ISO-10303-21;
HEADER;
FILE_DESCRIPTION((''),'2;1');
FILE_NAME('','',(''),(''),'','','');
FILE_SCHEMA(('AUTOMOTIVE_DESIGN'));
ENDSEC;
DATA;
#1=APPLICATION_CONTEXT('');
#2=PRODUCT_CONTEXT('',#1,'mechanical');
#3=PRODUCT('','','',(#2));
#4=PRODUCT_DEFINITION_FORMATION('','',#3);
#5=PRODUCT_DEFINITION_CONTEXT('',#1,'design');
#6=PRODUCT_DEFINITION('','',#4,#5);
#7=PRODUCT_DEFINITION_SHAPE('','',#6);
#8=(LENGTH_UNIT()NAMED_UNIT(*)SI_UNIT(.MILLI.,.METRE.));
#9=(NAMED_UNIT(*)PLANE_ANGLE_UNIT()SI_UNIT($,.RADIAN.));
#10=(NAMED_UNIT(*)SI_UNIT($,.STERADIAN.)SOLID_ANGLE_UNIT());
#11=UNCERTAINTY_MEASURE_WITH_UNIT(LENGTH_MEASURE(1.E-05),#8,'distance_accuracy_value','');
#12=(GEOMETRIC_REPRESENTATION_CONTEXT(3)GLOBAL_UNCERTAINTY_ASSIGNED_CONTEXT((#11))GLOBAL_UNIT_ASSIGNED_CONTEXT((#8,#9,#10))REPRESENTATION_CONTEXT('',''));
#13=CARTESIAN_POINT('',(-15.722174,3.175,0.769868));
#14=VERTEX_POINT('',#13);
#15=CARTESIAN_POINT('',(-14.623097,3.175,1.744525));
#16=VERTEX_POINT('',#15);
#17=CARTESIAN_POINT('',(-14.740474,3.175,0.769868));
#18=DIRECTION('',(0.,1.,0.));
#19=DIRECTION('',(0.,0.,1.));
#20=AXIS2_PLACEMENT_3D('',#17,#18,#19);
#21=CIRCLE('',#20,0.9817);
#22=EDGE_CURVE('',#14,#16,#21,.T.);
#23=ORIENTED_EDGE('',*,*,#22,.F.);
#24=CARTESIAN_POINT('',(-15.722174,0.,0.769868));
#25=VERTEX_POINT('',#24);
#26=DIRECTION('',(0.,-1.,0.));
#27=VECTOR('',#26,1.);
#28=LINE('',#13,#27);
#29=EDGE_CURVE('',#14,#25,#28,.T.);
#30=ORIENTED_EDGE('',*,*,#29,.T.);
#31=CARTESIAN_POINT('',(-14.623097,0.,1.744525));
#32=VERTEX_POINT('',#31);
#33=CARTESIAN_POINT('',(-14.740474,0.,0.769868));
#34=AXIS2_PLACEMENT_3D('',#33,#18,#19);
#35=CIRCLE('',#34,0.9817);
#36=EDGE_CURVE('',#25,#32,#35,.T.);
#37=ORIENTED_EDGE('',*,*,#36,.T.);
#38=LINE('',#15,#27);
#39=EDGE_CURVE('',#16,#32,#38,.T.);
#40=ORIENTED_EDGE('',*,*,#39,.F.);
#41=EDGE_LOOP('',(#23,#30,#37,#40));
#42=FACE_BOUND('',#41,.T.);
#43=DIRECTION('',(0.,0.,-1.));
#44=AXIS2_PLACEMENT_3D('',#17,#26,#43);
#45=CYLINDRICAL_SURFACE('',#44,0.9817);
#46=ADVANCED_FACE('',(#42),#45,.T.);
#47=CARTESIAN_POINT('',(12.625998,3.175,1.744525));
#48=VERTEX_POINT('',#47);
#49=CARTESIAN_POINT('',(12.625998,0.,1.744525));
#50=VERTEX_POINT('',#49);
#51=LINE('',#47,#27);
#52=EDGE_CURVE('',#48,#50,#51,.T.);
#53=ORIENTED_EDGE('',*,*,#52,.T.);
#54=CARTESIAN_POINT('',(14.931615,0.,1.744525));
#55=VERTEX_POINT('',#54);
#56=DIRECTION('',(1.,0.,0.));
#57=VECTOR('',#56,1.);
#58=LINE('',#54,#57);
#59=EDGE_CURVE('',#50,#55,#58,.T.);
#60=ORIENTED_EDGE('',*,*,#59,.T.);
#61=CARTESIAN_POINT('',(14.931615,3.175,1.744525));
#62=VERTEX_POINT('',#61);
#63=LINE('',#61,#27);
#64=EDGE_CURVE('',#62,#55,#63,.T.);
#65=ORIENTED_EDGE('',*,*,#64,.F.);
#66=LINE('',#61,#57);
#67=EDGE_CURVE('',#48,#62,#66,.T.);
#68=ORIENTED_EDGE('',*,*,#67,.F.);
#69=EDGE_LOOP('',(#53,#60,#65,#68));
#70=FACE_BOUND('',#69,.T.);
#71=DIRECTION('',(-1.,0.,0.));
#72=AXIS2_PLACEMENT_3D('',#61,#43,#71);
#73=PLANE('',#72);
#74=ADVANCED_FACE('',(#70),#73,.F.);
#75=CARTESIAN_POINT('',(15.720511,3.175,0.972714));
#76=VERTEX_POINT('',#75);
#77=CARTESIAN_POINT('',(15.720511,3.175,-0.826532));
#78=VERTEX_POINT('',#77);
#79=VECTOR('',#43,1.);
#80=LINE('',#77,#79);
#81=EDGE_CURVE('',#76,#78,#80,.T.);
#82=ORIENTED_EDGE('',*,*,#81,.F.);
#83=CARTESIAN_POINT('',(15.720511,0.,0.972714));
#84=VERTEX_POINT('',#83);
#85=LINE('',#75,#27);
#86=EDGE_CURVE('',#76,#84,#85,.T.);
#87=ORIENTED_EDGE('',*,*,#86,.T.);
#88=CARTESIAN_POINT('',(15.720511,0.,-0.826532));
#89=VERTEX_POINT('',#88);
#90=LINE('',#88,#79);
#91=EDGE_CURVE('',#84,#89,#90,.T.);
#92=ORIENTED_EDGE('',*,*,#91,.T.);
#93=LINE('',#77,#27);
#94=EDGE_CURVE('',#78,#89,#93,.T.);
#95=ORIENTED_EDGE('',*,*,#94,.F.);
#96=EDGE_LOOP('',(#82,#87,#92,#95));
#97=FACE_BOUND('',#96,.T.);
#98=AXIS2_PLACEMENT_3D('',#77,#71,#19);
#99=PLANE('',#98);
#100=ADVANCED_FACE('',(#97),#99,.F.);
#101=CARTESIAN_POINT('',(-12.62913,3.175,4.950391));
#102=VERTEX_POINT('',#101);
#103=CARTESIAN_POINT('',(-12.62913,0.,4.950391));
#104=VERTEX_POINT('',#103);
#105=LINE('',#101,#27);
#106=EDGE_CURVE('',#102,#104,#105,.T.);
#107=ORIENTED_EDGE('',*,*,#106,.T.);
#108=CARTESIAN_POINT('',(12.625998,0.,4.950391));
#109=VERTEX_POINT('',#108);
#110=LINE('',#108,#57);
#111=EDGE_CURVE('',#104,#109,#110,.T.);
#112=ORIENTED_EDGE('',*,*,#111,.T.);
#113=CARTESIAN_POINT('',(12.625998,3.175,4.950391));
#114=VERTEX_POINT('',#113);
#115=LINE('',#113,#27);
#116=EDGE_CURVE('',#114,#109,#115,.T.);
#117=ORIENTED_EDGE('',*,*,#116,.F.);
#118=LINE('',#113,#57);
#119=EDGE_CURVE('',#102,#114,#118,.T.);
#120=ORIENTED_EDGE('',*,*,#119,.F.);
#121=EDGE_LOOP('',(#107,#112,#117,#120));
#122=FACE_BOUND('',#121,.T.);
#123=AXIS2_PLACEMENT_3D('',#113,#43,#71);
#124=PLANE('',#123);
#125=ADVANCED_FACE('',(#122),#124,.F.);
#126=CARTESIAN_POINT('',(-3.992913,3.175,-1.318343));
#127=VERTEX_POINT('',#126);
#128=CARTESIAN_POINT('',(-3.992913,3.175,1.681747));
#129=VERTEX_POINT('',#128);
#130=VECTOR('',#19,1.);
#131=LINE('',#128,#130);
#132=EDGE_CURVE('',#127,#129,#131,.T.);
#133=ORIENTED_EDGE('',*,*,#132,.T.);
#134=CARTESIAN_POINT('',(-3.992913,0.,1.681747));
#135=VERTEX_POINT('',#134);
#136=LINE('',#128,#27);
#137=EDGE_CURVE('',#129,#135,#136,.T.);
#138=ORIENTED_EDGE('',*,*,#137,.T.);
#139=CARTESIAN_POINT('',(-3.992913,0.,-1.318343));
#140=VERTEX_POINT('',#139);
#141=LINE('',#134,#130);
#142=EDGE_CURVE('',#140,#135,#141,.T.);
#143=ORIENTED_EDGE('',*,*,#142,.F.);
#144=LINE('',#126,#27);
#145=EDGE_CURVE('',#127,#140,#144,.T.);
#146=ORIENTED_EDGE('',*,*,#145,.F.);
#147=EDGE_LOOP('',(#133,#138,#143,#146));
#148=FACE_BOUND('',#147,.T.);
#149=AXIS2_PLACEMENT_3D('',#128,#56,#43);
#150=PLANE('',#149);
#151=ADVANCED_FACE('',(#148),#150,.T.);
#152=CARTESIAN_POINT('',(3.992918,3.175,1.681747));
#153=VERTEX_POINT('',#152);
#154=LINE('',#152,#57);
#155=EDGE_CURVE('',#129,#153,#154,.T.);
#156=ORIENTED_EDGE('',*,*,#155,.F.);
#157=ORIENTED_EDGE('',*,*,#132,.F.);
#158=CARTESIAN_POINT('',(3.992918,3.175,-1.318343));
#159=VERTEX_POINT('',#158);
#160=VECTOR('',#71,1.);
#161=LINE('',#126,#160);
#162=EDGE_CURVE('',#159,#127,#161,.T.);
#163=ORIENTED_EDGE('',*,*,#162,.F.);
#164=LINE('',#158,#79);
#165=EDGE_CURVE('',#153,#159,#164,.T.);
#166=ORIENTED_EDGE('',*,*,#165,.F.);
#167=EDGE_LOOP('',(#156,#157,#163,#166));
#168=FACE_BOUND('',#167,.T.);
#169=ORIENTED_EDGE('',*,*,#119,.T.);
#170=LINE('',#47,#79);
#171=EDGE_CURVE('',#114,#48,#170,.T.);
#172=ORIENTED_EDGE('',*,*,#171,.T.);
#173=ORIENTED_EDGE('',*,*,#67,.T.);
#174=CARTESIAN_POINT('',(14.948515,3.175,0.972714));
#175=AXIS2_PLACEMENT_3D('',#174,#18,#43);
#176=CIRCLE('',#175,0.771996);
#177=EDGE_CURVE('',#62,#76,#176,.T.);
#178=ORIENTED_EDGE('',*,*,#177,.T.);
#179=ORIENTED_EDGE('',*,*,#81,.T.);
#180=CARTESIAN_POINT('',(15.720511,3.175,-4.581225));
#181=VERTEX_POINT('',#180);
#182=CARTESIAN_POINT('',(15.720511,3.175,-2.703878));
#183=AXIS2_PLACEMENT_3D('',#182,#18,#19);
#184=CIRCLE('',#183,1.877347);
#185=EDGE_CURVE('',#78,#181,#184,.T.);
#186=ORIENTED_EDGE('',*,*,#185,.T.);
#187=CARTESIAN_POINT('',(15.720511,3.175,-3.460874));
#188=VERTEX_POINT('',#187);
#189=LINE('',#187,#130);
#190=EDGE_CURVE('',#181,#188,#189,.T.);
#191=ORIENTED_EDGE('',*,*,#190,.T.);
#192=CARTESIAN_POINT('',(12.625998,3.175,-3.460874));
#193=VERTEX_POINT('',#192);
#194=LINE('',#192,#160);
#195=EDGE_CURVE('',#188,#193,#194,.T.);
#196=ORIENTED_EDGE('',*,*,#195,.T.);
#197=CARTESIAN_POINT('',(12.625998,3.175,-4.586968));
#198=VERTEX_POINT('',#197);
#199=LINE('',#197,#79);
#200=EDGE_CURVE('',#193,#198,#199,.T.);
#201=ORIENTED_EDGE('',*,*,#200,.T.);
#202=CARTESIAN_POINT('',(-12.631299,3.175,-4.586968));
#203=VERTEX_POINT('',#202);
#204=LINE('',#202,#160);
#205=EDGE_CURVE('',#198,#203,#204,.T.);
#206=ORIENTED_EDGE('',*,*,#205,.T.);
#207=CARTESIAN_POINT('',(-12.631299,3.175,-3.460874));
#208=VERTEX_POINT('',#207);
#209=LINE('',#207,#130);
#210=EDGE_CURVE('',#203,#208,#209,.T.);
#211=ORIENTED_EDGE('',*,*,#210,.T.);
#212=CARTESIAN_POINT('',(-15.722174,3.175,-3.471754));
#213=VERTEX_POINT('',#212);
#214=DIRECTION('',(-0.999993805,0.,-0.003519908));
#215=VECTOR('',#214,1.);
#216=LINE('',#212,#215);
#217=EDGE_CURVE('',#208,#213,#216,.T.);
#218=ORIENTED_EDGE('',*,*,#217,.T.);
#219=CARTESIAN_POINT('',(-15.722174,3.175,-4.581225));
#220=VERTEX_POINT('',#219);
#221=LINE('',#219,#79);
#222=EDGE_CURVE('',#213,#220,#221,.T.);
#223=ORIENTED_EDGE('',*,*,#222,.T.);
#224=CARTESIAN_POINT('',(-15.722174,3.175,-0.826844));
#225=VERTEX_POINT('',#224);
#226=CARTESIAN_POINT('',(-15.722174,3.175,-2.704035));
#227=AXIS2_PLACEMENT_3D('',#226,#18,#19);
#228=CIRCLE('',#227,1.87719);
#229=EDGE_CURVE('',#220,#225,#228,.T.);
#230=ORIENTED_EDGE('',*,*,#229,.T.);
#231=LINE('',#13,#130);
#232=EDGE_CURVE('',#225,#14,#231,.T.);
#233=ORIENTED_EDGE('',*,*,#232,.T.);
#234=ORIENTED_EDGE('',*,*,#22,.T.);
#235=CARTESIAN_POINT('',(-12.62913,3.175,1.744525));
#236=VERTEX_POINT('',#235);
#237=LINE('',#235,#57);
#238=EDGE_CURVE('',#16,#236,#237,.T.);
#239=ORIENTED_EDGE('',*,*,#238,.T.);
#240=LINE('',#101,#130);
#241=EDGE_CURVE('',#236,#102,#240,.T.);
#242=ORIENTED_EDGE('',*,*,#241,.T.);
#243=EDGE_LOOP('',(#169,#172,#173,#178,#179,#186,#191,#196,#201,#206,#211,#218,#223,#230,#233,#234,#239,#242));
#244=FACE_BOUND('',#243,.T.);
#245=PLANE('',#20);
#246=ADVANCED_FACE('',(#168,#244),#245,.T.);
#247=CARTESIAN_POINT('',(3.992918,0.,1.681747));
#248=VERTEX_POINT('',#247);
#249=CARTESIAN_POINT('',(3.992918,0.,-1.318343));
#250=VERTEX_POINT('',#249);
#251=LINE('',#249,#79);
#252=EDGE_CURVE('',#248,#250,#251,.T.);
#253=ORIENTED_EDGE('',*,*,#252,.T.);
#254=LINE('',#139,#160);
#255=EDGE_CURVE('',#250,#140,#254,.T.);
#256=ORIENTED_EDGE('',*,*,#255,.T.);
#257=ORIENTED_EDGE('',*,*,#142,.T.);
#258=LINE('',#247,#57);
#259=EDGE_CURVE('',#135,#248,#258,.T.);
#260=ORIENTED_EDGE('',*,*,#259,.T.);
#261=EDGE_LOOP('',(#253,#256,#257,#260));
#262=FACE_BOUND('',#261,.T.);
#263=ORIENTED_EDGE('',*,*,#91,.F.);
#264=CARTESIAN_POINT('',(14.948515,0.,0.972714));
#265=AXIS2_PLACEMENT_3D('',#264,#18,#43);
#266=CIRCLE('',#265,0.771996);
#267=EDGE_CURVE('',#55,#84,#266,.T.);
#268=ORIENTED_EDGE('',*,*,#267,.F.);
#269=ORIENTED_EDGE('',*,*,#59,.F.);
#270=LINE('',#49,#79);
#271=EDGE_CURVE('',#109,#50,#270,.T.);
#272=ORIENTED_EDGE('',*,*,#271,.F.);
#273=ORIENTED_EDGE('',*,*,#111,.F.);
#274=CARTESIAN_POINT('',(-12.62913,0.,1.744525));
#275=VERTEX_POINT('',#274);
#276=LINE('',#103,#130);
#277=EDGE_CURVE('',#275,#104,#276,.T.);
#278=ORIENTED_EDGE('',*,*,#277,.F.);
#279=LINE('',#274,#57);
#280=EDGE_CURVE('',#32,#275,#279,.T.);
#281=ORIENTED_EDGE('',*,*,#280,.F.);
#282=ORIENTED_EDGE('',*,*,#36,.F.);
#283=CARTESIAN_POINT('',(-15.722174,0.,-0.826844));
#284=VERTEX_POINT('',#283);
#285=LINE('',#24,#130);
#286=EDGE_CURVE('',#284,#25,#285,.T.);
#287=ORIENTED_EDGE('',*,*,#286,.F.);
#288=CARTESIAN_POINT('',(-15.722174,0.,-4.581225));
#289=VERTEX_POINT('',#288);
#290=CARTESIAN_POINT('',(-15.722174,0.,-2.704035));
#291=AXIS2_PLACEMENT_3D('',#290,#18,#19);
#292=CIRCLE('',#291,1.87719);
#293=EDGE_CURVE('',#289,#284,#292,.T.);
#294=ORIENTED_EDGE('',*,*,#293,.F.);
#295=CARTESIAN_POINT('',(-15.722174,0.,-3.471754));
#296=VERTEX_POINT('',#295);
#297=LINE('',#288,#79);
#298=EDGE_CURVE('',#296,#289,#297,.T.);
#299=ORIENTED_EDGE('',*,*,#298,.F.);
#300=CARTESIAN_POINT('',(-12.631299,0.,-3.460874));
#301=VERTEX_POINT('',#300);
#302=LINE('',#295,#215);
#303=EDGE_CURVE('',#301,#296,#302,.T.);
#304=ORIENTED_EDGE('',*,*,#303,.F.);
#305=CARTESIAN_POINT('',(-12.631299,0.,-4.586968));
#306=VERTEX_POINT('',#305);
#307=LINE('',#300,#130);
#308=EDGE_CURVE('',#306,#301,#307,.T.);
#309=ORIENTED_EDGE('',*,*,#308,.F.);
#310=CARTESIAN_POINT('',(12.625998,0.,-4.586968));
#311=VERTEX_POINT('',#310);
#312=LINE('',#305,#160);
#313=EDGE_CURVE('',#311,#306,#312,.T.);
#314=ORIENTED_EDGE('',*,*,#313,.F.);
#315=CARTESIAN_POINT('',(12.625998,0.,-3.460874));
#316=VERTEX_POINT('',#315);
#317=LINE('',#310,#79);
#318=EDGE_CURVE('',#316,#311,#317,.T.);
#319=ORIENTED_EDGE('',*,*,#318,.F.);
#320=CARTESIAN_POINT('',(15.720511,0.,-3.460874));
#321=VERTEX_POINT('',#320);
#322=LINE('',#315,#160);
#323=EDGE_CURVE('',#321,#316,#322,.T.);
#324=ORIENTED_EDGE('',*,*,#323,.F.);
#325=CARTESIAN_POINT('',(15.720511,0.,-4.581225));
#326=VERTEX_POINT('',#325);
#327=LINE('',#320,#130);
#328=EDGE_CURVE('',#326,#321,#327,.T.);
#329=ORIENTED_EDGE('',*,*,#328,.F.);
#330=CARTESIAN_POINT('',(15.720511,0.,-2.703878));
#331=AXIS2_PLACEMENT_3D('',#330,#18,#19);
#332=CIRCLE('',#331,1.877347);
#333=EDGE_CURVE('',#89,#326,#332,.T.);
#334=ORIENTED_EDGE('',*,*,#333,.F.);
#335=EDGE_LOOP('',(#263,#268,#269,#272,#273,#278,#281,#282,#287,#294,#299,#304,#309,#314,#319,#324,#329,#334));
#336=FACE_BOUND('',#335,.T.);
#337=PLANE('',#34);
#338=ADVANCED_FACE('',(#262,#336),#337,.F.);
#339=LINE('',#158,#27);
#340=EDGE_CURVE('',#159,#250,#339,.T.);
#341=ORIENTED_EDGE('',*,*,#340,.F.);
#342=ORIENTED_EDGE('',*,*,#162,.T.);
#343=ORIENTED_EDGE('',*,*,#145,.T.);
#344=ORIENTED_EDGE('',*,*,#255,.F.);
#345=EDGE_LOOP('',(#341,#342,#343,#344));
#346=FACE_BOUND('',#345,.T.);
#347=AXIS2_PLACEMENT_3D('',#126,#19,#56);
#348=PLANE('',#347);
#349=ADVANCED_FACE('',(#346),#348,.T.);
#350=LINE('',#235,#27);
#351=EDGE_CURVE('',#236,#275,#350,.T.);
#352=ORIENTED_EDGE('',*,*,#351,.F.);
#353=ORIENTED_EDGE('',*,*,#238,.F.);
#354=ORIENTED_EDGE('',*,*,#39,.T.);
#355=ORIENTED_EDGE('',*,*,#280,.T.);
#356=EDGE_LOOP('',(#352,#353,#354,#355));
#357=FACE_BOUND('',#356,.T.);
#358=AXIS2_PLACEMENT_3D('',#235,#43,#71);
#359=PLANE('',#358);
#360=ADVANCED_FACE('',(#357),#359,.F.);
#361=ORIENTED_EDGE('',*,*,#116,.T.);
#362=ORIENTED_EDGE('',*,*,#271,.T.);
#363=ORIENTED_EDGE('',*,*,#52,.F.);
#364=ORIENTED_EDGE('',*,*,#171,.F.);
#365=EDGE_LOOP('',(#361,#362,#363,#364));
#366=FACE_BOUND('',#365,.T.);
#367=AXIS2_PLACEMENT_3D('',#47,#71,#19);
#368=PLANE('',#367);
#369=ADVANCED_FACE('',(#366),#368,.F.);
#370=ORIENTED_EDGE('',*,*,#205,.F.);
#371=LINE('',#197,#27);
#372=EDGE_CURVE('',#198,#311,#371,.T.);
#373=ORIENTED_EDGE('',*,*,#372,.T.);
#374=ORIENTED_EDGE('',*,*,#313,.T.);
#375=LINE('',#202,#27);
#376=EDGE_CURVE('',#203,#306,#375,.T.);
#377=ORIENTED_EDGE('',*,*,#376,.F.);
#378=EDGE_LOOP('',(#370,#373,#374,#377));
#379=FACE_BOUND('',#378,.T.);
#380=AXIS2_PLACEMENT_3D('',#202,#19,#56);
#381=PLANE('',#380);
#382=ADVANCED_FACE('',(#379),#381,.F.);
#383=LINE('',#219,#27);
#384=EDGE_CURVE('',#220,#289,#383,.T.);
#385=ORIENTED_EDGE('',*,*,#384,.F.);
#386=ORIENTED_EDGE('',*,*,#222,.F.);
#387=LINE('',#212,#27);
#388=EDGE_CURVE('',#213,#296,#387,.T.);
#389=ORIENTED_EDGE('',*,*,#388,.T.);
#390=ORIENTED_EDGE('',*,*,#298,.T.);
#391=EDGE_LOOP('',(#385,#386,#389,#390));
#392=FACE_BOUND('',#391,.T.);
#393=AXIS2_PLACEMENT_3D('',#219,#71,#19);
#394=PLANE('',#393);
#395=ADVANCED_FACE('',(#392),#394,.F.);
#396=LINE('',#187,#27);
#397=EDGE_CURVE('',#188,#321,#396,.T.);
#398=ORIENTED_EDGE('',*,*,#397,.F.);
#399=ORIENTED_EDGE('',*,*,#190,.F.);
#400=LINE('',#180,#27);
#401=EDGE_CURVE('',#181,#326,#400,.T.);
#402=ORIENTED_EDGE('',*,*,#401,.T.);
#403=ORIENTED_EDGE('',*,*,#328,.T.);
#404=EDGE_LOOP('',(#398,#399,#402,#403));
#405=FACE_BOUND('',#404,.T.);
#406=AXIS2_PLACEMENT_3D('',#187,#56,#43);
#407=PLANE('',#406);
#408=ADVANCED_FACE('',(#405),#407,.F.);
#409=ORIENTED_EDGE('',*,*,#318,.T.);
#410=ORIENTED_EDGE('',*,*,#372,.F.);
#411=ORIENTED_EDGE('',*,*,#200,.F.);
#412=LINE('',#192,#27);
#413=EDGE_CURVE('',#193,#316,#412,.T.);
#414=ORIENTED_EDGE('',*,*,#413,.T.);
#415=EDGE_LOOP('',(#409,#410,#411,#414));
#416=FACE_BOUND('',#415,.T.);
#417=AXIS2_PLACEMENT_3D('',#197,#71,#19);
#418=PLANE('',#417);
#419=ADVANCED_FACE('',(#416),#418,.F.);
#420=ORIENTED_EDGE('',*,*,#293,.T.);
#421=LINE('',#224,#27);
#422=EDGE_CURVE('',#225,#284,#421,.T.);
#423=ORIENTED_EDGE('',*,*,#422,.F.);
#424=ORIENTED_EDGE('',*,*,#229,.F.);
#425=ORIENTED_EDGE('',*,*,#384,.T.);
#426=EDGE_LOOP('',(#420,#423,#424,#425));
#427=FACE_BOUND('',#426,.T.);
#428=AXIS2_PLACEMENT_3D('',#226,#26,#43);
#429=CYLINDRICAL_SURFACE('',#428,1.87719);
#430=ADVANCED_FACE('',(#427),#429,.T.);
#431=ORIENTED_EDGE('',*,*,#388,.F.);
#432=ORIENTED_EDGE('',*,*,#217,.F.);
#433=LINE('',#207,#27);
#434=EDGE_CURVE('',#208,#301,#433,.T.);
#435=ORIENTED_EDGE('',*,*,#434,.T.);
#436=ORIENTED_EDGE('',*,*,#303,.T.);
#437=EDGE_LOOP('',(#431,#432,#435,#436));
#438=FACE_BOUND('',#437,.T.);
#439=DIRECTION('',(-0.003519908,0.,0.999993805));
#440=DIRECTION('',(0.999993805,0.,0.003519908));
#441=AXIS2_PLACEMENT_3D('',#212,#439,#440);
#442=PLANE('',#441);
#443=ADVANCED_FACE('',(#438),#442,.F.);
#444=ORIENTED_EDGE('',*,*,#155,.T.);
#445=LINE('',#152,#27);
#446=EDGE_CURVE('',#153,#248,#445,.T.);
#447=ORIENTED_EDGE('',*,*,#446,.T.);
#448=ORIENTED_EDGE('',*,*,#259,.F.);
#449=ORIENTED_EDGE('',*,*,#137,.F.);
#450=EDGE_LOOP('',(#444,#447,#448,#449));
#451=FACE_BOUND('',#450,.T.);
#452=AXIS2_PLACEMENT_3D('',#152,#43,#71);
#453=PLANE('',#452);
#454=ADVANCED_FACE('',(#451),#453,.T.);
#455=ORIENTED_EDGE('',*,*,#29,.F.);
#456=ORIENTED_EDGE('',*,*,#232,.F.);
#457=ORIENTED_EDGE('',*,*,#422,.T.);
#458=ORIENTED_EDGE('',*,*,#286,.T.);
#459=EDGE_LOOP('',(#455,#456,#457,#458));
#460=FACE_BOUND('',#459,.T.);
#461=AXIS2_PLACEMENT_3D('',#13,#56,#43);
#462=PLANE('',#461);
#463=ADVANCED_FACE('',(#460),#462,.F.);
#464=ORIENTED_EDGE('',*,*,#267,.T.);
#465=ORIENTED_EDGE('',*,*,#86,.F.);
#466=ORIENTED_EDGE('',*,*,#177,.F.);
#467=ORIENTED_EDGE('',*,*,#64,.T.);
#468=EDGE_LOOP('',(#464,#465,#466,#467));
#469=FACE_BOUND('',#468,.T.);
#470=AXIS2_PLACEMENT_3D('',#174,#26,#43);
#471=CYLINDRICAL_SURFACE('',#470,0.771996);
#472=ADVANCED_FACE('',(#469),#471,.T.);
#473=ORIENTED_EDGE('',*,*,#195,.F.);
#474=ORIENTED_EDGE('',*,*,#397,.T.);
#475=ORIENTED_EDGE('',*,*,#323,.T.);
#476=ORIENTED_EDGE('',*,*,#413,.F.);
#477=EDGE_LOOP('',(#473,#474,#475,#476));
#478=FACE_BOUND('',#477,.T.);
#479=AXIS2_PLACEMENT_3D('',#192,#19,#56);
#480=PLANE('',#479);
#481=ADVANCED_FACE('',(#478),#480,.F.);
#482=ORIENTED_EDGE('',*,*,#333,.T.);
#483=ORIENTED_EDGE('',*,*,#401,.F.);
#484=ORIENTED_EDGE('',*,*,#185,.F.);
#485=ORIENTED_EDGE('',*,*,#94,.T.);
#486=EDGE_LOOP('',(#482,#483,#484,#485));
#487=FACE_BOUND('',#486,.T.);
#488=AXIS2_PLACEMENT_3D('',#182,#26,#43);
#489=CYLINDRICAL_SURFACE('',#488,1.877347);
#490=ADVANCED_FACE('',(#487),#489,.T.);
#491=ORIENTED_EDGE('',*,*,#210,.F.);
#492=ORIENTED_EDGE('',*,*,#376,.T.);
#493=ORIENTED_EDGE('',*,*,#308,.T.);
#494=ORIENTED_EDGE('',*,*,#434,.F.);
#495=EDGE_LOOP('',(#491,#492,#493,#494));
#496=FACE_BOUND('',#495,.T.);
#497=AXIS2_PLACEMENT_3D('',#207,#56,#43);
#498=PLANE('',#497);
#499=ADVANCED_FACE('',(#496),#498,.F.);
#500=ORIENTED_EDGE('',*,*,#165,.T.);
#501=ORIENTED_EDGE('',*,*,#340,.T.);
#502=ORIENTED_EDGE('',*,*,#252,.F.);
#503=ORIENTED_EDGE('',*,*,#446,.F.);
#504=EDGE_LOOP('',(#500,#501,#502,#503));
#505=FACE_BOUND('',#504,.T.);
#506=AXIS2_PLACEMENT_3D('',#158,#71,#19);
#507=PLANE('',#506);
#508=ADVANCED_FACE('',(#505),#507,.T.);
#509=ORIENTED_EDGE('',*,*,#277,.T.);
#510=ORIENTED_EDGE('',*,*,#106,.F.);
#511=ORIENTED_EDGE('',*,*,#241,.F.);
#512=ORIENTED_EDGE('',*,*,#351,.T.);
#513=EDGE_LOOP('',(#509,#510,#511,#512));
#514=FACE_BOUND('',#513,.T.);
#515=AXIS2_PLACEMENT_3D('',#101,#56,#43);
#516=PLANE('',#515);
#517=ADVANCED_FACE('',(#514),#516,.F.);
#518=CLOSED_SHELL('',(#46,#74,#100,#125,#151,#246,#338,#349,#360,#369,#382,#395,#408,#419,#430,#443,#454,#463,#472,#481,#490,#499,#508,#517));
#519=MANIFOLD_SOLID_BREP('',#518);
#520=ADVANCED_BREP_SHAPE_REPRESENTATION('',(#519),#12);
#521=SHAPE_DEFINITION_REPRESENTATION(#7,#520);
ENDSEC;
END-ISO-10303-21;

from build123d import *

# Parameters (mm, degrees)
SKETCH2_W           = 7.98583157
SKETCH2_H           = 3.000090293
BOSS_EXTRUDE1_DEPTH = 3.175


with BuildPart() as part:
    # Sketch2 → Boss-Extrude1 (new body)
    with BuildSketch(Plane(origin=(0, 0, 0), x_dir=(1, 0, 0), z_dir=(0, 1, 0))):
        with BuildLine():
            Line((12.625998491, -1.744524944), (12.625998491, -4.950391186))
            Line((12.625998491, -4.950391186), (-12.629130241, -4.950391186))
            Line((-12.629130241, -4.950391186), (-12.629130241, -1.744524944))
            Line((-12.629130241, -1.744524944), (-14.623097356, -1.744524944))
            ThreePointArc((-14.623097356, -1.744524944), (-15.39182083, -1.504361603), (-15.722173536, -0.769867695))
            Line((-15.722173536, -0.769867695), (-15.722173536, 0.826844293))
            ThreePointArc((-15.722173536, 0.826844293), (-17.599363905, 2.704034662), (-15.722173536, 4.581225032))
            Line((-15.722173536, 4.581225032), (-15.722173536, 3.471753772))
            Line((-15.722173536, 3.471753772), (-12.631299313, 3.460874113))
            Line((-12.631299313, 3.460874113), (-12.631299313, 4.586967616))
            Line((-12.631299313, 4.586967616), (12.625998491, 4.586967616))
            Line((12.625998491, 4.586967616), (12.625998491, 3.460874113))
            Line((12.625998491, 3.460874113), (15.720511393, 3.460874113))
            Line((15.720511393, 3.460874113), (15.720511393, 4.581225031))
            ThreePointArc((15.720511393, 4.581225031), (17.597858023, 2.703878401), (15.720511393, 0.826531771))
            Line((15.720511393, 0.826531771), (15.720511393, -0.972713755))
            ThreePointArc((15.720511393, -0.972713755), (15.488390746, -1.524540285), (14.931614971, -1.744524944))
            Line((14.931614971, -1.744524944), (12.625998491, -1.744524944))
        make_face()
        with Locations((2.437e-06, -0.181702019)):
            Rectangle(SKETCH2_W, SKETCH2_H, mode=Mode.SUBTRACT)
    extrude(amount=BOSS_EXTRUDE1_DEPTH)


solid = part.part
